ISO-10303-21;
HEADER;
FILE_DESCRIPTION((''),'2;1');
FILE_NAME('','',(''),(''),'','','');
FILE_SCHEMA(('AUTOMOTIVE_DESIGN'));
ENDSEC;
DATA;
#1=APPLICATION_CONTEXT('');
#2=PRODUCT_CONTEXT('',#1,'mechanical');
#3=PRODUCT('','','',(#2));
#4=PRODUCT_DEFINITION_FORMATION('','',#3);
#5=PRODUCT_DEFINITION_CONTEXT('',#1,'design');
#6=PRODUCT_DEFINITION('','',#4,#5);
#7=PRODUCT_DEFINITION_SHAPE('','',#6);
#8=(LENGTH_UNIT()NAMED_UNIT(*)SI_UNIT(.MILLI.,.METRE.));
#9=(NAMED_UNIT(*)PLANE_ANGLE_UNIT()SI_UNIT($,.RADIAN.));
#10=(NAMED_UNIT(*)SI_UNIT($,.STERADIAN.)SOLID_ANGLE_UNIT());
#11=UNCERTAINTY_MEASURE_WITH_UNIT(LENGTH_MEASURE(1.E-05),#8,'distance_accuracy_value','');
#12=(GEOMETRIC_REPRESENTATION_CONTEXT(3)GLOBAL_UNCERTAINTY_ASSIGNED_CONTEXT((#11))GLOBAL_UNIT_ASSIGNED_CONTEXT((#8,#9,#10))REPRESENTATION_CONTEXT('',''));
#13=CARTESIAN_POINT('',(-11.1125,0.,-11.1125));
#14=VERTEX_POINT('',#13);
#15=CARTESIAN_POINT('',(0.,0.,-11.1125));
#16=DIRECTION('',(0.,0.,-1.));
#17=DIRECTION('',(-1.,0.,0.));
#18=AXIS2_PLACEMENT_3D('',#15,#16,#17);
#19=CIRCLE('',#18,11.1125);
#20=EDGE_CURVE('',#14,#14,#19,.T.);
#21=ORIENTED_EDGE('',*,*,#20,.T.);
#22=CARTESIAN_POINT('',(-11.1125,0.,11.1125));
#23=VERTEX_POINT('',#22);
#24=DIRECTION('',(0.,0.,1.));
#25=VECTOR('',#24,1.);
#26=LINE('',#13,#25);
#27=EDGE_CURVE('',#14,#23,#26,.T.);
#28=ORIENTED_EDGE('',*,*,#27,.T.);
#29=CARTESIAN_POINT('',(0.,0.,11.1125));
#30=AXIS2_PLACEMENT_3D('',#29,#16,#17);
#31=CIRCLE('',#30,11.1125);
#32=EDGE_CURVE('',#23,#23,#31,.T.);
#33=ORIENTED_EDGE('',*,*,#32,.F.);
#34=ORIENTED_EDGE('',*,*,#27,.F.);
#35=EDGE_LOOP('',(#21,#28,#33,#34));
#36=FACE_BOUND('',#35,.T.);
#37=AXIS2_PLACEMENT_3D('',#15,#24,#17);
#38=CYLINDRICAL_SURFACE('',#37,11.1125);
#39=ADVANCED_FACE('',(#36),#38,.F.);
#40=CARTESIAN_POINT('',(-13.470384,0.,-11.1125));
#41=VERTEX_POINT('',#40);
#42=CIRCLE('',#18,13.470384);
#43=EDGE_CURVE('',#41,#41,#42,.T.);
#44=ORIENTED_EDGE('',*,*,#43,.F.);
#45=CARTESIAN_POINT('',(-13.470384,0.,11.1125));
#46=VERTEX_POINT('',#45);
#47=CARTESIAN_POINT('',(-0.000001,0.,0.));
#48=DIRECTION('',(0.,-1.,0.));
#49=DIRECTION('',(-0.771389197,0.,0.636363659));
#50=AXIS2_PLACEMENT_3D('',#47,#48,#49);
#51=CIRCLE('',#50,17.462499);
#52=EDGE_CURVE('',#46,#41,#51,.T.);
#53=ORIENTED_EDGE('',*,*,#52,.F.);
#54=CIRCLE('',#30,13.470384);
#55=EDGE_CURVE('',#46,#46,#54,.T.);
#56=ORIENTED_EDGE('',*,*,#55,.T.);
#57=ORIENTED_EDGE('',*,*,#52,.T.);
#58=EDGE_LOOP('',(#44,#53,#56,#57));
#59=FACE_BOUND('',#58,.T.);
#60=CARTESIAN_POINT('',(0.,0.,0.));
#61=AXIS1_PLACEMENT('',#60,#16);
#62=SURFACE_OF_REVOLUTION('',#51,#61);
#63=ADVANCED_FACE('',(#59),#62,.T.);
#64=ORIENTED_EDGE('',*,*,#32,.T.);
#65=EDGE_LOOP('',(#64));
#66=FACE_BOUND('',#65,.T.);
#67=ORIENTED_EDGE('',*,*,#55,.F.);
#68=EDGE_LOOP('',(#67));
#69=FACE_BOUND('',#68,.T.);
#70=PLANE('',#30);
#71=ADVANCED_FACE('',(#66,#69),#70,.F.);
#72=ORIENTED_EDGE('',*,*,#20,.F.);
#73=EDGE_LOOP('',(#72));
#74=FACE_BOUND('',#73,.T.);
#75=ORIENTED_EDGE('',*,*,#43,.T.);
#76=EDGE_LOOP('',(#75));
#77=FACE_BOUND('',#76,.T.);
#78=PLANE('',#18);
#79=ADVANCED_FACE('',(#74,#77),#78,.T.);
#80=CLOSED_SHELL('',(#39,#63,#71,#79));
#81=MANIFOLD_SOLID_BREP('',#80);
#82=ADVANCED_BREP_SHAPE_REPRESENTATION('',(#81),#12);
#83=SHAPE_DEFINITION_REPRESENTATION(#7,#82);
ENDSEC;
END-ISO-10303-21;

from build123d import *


with BuildPart() as f1:
    # F0 (on Front) → F1 (revolve)
    with BuildSketch(Plane.XZ):
        with BuildLine():
            Line((-11.1125, 11.1125), (-13.470384, 11.1125))
            ThreePointArc((-13.470384, 11.1125), (-17.4625, 0), (-13.470384, -11.1125))
            Line((-13.470384, -11.1125), (-11.1125, -11.1125))
            Line((-11.1125, -11.1125), (-11.1125, 11.1125))
        make_face()
    revolve(axis=Axis((0, 0, 0), (0, 0, -1)))


solid = f1.part
